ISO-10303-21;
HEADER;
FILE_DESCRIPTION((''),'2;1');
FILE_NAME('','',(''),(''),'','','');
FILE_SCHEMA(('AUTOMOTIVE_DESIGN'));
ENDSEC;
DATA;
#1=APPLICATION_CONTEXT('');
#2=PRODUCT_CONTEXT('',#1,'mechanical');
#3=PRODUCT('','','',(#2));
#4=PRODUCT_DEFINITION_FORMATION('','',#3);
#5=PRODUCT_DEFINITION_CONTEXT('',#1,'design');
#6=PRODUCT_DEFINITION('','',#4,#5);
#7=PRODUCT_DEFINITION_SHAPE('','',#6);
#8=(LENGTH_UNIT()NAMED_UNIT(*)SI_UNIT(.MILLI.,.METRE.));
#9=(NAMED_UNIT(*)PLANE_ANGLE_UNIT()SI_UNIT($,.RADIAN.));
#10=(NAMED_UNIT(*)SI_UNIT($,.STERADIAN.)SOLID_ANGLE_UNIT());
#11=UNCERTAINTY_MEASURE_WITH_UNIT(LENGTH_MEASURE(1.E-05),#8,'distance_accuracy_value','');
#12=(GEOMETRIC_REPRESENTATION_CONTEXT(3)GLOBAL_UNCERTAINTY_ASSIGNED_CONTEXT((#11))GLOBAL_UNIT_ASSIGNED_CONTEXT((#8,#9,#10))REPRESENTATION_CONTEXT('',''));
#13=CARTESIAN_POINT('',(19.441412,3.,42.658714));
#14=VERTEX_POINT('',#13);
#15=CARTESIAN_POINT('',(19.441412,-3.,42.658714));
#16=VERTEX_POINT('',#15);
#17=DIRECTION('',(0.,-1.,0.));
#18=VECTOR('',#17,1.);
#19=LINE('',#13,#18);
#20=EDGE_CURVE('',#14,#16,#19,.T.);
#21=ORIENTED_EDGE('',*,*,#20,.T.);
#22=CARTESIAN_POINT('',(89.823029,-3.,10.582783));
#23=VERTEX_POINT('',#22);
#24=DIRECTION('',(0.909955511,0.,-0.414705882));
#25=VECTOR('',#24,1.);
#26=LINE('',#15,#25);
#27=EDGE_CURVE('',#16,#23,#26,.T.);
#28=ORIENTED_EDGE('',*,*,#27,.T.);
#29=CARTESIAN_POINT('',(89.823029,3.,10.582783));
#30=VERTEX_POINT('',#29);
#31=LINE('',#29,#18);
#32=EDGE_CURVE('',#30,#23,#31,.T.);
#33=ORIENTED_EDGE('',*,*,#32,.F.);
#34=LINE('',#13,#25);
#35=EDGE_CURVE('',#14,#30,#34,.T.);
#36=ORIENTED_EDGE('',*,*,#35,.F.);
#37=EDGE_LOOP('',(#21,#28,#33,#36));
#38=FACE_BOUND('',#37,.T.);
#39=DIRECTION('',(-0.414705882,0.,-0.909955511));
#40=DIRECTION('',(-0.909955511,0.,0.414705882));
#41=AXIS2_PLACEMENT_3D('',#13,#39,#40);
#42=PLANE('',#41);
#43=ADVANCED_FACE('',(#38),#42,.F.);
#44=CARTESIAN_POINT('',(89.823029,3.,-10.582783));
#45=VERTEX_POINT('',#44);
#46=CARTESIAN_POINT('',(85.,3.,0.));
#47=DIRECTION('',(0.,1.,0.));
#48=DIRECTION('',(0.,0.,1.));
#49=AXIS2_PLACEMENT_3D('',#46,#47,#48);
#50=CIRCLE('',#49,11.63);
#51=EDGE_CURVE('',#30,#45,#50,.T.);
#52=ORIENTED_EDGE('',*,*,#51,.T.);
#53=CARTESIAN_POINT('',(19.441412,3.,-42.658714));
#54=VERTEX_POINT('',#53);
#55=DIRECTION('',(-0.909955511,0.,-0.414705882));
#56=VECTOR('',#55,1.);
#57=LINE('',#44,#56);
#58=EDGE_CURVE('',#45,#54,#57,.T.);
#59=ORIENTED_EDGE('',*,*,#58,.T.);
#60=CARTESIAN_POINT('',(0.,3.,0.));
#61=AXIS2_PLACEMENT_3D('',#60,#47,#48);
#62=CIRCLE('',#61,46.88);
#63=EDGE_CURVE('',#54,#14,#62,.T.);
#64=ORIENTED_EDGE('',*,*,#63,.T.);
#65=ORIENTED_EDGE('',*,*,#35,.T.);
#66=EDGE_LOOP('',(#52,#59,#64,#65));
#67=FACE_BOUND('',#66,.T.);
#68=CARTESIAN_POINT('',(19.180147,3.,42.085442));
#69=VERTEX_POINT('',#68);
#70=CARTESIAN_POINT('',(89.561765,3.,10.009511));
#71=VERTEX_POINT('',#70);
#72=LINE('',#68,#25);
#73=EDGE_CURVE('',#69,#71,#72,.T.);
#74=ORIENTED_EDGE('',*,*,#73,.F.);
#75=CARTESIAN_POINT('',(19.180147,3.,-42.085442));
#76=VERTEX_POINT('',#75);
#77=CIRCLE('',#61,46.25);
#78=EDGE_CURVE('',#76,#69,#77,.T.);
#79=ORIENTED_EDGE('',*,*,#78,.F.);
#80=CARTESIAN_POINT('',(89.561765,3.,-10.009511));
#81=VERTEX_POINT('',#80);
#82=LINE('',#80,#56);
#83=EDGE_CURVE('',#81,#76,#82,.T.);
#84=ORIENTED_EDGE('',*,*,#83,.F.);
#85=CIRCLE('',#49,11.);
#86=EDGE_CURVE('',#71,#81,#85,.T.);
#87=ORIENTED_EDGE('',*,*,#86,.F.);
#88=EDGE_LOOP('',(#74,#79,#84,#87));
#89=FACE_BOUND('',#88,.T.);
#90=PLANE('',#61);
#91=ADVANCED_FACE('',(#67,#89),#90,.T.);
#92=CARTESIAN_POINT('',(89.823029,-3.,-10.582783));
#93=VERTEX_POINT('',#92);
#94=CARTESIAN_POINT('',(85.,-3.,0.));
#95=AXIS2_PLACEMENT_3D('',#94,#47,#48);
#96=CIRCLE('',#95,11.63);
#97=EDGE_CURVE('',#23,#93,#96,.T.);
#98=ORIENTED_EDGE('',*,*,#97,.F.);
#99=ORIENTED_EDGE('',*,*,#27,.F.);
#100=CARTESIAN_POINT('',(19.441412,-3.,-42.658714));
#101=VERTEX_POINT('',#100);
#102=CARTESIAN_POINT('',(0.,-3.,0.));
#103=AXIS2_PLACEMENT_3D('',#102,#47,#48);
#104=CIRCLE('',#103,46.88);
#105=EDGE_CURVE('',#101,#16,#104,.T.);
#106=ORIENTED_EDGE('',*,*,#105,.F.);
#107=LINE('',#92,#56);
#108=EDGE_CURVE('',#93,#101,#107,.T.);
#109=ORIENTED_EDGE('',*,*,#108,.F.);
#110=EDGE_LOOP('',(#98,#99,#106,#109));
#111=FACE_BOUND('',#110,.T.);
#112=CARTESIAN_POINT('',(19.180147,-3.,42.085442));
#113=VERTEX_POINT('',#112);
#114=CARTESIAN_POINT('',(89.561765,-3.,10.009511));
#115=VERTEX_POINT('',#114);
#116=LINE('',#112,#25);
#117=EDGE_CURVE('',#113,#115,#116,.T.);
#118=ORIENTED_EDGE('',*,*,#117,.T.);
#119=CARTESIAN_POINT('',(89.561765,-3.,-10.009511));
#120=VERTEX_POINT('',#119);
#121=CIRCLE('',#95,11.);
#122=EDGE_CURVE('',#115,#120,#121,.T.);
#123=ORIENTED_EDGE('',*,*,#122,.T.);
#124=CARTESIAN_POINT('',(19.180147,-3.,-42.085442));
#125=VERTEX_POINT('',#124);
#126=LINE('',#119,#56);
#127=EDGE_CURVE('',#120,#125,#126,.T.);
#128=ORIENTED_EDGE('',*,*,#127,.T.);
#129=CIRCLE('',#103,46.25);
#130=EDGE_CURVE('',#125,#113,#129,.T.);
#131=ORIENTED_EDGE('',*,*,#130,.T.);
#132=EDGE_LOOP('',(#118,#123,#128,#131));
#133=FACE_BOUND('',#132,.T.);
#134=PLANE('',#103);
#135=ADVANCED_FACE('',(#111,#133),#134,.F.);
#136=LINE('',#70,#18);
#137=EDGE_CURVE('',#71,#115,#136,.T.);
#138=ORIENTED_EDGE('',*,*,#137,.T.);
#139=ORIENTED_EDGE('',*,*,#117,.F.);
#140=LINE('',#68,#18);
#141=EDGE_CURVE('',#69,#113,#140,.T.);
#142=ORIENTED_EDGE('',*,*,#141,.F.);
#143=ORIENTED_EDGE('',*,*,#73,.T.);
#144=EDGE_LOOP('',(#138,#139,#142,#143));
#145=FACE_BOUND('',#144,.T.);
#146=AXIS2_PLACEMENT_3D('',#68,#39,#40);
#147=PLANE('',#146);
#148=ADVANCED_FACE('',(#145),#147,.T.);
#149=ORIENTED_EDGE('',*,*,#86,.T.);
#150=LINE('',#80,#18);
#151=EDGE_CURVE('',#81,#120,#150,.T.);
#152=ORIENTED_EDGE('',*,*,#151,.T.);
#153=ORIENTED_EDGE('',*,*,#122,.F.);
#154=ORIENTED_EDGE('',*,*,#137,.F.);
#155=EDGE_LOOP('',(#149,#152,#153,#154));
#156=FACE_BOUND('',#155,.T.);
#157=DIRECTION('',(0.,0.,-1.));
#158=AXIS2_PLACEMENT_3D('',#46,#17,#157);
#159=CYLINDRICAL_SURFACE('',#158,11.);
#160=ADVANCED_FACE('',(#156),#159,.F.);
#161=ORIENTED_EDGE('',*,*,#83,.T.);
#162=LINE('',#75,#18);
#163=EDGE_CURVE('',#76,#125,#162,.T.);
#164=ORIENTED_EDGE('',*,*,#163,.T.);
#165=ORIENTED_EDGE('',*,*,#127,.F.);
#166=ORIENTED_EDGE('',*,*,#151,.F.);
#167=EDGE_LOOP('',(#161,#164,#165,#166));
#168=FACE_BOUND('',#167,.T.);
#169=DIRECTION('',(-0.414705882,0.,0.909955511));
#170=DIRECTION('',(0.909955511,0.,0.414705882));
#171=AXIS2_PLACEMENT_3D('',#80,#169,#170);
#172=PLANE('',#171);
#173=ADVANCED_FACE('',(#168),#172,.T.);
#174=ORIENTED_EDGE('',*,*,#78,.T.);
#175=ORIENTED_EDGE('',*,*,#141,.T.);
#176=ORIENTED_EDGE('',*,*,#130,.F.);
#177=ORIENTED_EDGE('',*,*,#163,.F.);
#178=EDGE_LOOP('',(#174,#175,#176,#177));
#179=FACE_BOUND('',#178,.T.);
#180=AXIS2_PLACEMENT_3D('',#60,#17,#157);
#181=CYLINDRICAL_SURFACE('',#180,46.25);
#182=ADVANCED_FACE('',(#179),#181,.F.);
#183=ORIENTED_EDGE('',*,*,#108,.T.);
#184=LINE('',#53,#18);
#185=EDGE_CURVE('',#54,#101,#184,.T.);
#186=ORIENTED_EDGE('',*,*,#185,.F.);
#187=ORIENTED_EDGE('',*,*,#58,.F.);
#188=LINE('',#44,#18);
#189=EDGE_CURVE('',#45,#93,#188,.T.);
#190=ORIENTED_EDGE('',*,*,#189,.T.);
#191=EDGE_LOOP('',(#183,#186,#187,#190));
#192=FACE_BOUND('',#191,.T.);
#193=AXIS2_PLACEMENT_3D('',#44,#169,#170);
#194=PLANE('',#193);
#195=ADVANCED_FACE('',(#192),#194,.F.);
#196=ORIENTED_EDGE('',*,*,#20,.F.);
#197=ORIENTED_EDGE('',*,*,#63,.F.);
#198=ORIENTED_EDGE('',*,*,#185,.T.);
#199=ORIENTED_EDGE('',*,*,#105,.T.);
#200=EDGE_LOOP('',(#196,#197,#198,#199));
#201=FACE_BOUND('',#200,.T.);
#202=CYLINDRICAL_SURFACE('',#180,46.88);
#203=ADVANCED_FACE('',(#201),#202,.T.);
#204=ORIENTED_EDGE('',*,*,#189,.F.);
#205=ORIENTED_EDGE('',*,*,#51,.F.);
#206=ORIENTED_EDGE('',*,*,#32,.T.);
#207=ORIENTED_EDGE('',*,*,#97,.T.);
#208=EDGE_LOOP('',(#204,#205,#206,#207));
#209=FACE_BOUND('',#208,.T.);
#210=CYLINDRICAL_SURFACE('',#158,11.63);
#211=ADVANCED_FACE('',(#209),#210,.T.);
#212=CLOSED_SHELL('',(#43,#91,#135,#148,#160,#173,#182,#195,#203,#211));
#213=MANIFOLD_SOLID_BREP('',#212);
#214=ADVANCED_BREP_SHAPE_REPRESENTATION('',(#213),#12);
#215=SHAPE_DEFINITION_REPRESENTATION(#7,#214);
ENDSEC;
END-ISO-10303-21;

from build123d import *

# Parameters (mm, degrees)
BOSS_EXTRUDE1_DEPTH = 3


with BuildPart() as part:
    # Sketch1 → Boss-Extrude1 (new, symmetric)
    with BuildSketch(Plane(origin=(0, 0, 0), x_dir=(1, 0, 0), z_dir=(0, 1, 0))):
        with BuildLine():
            Line((19.441411765, -42.658714334), (89.823029412, -10.582782587))
            ThreePointArc((89.823029412, -10.582782587), (96.63, 0), (89.823029412, 10.582782587))
            Line((89.823029412, 10.582782587), (19.441411765, 42.658714334))
            ThreePointArc((19.441411765, 42.658714334), (-46.88, 0), (19.441411765, -42.658714334))
        make_face()
        with BuildLine():
            Line((89.561764706, 10.009510616), (19.180147059, 42.085442362))
            ThreePointArc((19.180147059, 42.085442362), (-46.25, 0), (19.180147059, -42.085442362))
            Line((19.180147059, -42.085442362), (89.561764706, -10.009510616))
            ThreePointArc((89.561764706, -10.009510616), (96, 0), (89.561764706, 10.009510616))
        make_face(mode=Mode.SUBTRACT)
    extrude(amount=BOSS_EXTRUDE1_DEPTH, both=True)


solid = part.part
